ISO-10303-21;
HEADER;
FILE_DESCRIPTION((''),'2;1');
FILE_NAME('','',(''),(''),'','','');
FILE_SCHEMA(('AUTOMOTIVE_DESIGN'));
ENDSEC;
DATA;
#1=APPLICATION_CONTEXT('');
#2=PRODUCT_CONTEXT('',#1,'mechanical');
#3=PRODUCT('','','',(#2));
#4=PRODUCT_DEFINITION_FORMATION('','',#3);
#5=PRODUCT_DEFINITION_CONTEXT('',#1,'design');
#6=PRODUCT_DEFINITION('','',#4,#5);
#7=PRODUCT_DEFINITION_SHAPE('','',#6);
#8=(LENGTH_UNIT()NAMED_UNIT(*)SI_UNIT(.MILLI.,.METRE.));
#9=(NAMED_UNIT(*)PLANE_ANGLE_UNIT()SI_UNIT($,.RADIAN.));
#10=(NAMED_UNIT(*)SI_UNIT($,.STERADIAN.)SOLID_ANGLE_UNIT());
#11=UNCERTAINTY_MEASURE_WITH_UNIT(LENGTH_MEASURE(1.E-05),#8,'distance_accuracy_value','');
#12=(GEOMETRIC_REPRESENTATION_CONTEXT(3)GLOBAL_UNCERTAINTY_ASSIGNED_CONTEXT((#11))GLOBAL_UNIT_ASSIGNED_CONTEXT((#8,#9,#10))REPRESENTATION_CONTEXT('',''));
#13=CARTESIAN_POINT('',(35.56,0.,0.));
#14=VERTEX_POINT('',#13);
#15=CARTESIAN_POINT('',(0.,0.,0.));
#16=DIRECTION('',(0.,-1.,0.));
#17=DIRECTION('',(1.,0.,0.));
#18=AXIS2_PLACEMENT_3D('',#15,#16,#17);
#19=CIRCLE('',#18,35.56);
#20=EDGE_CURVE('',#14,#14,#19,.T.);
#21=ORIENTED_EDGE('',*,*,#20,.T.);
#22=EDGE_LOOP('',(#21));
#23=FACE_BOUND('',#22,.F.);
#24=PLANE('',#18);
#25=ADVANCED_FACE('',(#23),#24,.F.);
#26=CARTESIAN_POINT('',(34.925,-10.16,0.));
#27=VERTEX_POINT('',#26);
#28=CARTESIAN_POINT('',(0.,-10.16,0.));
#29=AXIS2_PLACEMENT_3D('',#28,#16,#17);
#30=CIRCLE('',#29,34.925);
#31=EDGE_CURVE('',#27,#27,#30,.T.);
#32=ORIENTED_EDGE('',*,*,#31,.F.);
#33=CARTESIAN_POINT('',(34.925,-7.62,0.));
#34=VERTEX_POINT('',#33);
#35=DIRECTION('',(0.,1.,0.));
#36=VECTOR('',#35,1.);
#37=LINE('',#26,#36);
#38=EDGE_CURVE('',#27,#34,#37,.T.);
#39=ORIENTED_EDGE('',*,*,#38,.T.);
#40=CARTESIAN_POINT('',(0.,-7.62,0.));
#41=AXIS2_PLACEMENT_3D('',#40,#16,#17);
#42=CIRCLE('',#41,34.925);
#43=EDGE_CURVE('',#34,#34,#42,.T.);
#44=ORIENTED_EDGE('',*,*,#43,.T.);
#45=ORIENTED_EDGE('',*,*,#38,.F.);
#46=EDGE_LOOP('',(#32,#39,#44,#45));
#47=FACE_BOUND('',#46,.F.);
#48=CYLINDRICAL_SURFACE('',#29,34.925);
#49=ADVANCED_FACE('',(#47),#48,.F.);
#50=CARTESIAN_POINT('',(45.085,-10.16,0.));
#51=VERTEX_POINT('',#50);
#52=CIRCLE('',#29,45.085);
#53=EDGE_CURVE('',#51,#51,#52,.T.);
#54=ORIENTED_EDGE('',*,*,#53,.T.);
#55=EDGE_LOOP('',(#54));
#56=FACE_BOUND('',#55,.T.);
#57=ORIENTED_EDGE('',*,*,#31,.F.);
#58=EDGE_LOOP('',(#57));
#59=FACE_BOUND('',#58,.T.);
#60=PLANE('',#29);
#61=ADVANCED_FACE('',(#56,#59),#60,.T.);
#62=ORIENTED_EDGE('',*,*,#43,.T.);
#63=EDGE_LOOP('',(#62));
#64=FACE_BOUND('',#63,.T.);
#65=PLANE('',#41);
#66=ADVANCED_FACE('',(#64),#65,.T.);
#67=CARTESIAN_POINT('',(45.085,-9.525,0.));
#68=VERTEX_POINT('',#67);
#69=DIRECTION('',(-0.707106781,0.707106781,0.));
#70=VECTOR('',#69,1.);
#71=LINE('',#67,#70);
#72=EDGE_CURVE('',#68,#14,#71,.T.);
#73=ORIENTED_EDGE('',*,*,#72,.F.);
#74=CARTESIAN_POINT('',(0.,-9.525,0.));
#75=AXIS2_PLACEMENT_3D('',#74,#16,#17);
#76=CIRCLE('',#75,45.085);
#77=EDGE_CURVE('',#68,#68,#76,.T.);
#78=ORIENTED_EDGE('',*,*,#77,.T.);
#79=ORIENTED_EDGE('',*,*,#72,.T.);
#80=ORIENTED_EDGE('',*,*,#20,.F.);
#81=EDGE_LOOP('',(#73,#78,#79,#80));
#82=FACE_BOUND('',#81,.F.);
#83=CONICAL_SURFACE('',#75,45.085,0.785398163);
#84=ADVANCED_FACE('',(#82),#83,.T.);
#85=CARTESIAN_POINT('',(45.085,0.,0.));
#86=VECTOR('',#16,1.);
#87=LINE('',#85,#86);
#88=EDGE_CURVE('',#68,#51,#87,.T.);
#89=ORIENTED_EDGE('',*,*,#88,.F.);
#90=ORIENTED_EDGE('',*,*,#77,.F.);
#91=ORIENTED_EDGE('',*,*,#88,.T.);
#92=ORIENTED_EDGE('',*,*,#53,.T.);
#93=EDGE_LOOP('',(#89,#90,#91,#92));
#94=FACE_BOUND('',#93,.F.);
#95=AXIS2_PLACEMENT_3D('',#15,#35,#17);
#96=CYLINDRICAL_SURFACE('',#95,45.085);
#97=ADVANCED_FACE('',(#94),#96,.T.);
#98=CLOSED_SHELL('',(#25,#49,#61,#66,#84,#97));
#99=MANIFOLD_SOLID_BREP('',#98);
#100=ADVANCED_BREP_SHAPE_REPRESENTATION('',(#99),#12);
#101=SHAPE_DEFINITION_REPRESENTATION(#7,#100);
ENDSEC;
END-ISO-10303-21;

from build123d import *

# Parameters (mm, degrees)
F0_R     = 45.085
F1_DEPTH = 10.16
F2_R     = 34.925
F3_DEPTH = 2.54
F4_SIZE  = 9.525


with BuildPart() as f1:
    # F0 (on Front) → F1 (new body)
    with BuildSketch(Plane.XZ):
        Circle(F0_R)
    extrude(amount=F1_DEPTH)

    # F2 (on face) → F3 (cut)
    with BuildSketch(Plane.XZ.offset(10.16)):
        Circle(F2_R)
    extrude(amount=-F3_DEPTH, mode=Mode.SUBTRACT)

    # F4
    f4_edges = [f1.edges().sort_by_distance(p)[0] for p in [
        (-45.085, 0, 0),
    ]]
    chamfer(f4_edges, length=F4_SIZE)


solid = f1.part
